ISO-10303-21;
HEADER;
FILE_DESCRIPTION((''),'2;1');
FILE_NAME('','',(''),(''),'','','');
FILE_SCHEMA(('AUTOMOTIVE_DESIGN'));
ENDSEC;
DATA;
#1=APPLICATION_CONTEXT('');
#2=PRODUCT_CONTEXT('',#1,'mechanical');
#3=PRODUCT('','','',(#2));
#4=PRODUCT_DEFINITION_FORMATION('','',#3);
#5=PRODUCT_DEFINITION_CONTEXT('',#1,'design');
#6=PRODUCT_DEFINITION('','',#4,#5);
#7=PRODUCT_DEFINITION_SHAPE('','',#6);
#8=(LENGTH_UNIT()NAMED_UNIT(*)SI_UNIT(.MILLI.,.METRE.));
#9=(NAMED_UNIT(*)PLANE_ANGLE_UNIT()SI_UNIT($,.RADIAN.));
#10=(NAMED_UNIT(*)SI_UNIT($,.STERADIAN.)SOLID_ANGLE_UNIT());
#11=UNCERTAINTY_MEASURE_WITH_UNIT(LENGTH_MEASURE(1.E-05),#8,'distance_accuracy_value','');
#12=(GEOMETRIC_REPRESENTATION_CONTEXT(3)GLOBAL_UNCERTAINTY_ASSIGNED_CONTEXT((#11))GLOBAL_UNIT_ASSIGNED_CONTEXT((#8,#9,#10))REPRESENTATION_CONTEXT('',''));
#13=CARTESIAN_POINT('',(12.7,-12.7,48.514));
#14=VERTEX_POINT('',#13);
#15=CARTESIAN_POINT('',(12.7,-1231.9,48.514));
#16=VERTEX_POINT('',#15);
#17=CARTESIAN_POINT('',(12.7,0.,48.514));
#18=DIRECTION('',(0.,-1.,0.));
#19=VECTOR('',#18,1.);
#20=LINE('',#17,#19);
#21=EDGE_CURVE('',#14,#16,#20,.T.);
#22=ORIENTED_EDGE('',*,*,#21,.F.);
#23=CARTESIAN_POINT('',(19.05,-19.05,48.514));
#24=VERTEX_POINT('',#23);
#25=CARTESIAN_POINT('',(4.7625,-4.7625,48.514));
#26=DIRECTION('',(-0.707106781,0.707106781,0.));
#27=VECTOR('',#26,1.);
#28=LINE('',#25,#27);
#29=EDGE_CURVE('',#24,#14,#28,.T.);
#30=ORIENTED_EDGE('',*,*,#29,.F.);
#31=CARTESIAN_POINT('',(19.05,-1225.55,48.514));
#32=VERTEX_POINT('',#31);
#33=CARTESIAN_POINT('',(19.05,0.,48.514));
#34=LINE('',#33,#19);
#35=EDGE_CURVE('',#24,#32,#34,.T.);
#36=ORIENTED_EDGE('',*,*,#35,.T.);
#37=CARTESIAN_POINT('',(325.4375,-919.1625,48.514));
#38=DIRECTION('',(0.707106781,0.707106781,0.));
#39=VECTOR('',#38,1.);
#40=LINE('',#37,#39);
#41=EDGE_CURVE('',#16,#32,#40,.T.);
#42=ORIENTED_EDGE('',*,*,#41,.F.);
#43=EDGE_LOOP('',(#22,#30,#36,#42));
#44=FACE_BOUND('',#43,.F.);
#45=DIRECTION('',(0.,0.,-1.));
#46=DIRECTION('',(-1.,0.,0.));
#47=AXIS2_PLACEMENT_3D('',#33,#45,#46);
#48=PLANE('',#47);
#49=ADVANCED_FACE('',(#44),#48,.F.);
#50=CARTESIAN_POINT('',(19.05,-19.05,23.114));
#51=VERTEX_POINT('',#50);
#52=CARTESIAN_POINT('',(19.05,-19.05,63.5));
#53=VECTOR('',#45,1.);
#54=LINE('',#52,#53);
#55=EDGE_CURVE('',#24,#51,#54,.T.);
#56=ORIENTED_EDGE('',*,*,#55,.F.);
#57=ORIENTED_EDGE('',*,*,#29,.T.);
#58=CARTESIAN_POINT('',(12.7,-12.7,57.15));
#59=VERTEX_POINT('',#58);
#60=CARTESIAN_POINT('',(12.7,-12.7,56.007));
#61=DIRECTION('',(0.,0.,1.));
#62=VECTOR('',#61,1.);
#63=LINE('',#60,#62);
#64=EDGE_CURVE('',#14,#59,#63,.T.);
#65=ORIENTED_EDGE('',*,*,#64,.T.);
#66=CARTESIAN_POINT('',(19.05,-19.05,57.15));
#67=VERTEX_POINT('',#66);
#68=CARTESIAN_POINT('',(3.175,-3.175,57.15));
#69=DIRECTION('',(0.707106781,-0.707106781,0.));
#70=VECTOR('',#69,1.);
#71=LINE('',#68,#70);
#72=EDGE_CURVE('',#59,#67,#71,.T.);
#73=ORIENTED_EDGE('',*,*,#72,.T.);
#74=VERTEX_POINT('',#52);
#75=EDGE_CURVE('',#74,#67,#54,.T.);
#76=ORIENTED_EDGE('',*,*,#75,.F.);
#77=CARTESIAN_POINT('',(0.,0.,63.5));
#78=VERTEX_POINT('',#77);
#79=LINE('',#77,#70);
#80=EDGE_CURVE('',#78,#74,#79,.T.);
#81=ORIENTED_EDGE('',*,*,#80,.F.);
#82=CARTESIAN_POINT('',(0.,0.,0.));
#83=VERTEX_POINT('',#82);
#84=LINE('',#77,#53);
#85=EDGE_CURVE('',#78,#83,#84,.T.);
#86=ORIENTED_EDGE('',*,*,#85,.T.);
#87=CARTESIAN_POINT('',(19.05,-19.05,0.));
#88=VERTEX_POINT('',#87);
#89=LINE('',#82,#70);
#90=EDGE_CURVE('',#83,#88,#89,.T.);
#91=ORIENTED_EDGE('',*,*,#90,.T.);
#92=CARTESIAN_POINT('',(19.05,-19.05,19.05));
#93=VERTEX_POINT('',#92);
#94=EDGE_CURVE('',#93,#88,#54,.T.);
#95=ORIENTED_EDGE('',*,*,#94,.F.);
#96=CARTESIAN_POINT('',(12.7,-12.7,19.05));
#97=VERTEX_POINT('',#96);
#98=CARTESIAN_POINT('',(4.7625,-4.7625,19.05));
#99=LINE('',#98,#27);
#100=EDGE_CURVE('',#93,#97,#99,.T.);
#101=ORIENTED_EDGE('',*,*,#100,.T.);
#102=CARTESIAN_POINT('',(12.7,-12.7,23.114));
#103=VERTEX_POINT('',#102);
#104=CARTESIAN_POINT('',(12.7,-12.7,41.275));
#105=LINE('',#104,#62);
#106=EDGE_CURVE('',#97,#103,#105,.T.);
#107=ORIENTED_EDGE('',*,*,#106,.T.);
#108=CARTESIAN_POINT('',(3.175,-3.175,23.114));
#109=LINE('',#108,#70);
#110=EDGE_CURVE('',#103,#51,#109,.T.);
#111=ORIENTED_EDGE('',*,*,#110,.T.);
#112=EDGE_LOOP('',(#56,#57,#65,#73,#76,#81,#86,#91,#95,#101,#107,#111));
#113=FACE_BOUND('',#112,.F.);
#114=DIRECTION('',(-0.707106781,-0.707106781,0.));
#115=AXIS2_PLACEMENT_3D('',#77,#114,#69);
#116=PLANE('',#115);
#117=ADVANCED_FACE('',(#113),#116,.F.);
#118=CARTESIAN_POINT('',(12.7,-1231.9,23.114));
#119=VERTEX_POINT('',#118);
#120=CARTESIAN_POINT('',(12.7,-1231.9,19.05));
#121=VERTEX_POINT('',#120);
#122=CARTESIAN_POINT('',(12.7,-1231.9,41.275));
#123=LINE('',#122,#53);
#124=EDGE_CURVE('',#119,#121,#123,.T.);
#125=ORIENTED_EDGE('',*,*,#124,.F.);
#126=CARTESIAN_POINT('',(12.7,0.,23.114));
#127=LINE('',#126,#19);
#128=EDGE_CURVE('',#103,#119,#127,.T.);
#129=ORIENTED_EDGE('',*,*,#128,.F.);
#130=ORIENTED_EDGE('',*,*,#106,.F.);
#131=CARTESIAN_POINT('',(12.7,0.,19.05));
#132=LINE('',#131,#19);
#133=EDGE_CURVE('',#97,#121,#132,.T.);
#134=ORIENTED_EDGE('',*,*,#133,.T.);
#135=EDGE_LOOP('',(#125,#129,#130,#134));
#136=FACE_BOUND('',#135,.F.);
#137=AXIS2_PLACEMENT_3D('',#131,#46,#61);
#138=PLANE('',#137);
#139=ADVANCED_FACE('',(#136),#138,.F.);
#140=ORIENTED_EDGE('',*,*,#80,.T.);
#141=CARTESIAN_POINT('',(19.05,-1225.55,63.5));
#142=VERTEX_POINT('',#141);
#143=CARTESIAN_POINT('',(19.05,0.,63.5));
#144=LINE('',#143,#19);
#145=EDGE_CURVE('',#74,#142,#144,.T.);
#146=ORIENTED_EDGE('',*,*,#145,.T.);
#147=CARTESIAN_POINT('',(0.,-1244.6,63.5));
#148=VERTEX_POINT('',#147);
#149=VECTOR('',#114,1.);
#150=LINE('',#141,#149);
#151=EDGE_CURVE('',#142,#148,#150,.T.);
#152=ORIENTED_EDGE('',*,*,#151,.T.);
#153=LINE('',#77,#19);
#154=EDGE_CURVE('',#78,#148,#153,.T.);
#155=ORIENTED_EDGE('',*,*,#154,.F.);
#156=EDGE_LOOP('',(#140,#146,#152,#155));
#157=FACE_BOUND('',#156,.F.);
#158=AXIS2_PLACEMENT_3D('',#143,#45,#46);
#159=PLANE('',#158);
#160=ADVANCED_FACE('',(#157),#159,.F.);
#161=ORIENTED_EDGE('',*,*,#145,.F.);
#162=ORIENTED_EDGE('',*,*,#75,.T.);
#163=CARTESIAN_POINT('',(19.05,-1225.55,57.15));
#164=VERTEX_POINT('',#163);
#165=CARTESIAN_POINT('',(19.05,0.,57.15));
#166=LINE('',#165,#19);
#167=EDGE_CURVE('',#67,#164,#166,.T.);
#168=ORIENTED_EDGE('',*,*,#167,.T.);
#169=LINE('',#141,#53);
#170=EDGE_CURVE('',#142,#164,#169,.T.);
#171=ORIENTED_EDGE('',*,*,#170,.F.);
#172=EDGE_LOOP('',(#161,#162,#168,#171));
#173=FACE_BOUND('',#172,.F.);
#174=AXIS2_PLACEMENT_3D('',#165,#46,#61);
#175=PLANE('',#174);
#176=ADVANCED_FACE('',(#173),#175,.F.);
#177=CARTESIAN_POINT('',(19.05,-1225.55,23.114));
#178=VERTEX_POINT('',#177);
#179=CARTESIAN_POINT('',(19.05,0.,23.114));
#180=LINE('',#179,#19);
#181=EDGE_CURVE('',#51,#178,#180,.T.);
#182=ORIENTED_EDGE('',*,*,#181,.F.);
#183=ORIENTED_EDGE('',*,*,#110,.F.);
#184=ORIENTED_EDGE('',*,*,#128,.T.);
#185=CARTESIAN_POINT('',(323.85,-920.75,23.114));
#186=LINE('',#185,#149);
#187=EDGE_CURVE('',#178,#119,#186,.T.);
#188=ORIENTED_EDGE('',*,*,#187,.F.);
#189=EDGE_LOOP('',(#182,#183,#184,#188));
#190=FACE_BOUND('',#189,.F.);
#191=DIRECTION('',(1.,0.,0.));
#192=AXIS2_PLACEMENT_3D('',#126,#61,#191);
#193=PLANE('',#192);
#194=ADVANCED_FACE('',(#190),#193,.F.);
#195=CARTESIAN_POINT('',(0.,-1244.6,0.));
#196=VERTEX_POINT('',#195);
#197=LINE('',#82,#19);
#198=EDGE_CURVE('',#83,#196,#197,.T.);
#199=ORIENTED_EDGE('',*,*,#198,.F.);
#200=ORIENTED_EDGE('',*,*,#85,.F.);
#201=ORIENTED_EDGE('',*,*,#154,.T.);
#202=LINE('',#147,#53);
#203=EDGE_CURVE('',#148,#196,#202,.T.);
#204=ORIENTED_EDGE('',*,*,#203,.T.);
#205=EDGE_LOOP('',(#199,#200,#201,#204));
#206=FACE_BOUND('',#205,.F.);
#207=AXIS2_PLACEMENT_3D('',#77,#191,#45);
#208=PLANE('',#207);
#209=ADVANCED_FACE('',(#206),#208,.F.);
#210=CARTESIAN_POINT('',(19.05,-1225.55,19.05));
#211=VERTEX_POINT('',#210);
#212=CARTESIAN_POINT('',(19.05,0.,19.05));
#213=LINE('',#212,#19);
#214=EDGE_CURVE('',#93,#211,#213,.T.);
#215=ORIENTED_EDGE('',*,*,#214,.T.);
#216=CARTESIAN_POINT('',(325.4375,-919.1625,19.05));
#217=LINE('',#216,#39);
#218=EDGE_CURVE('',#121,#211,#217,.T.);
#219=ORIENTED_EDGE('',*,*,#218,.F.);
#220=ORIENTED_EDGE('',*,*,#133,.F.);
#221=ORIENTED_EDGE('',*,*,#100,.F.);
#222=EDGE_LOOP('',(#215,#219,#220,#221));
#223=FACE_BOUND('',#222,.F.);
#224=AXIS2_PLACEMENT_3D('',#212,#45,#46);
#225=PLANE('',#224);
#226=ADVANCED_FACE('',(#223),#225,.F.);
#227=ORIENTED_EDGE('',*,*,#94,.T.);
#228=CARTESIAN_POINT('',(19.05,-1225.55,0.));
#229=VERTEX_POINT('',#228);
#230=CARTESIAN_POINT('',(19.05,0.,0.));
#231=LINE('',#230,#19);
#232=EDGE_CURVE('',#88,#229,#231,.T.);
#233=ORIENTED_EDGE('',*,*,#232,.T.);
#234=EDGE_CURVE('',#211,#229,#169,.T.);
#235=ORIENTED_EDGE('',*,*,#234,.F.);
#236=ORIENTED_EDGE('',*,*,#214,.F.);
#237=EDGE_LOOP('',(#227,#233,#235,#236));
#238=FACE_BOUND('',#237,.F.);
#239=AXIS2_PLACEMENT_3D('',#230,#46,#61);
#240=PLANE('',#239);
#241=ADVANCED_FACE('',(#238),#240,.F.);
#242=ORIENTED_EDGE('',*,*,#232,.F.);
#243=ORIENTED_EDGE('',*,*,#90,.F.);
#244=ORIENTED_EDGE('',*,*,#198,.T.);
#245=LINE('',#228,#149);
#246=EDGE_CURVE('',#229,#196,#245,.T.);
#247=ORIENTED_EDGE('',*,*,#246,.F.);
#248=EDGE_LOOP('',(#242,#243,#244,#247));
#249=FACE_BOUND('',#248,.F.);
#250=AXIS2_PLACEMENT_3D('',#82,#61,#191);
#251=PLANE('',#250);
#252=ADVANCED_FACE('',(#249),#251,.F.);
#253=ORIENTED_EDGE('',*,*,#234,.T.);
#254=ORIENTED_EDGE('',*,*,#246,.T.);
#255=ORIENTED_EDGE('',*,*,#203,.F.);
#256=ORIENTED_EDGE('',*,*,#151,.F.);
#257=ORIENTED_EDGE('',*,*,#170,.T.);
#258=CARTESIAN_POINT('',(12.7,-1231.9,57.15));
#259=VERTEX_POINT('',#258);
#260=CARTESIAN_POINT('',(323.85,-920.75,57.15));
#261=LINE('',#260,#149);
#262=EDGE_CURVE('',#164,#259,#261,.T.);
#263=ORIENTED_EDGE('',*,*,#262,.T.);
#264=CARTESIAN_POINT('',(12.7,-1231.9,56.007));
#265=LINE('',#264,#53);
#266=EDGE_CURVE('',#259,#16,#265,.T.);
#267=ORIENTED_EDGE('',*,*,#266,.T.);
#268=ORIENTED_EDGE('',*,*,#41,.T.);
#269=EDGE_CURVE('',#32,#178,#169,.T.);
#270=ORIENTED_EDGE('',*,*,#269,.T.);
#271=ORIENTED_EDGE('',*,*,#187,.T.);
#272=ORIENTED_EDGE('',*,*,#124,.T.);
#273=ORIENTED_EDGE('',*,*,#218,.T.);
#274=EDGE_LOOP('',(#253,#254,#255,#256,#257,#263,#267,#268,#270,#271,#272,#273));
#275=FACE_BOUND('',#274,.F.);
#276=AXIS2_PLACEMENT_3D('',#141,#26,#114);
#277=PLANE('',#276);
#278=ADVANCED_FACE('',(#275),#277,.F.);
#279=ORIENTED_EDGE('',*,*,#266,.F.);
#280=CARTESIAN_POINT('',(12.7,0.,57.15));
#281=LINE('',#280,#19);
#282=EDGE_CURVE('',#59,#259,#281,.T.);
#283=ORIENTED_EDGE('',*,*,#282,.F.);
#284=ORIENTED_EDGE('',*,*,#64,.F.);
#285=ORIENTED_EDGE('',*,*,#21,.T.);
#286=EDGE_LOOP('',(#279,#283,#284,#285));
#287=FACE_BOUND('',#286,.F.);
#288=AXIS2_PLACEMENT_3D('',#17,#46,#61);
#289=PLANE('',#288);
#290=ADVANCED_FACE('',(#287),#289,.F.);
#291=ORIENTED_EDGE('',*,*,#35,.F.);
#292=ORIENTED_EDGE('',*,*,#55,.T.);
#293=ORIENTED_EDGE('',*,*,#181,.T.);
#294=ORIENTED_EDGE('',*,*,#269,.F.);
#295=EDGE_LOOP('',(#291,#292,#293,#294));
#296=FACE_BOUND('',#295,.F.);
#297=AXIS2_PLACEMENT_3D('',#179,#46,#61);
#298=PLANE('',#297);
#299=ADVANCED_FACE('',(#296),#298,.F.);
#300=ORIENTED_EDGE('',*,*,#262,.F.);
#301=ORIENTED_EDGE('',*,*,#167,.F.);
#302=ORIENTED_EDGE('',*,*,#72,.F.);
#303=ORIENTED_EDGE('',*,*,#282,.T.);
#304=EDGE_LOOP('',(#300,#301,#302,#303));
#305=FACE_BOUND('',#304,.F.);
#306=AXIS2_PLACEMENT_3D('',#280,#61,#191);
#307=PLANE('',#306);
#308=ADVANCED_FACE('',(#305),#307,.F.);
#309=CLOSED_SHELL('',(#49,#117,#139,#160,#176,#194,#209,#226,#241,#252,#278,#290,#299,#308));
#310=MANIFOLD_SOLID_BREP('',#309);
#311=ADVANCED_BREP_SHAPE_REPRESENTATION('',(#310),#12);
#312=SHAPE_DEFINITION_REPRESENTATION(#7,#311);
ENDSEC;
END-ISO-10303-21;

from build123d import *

# Parameters (mm, degrees)
F1_DEPTH = 1244.6
F3_DEPTH = 63.5


with BuildPart() as f1:
    # F0 (on Front) → F1 (new body)
    with BuildSketch(Plane.XZ):
        Polygon((19.05, 63.5), (0, 63.5), (0, 0), (19.05, 0), (19.05, 19.05), (12.7, 19.05), (12.7, 23.114), (19.05, 23.114), (19.05, 48.514), (12.7, 48.514), (12.7, 57.15), (19.05, 57.15), align=None)
    extrude(amount=F1_DEPTH)

    # F2 (on face) → F3 (cut)
    with BuildSketch(Plane.XY.offset(63.5)):
        Polygon((19.05, -1244.6), (19.05, -1225.55), (0, -1244.6), align=None)
        Polygon((19.05, 0), (0, 0), (19.05, -19.05), align=None)
    extrude(amount=-F3_DEPTH, mode=Mode.SUBTRACT)


solid = f1.part
